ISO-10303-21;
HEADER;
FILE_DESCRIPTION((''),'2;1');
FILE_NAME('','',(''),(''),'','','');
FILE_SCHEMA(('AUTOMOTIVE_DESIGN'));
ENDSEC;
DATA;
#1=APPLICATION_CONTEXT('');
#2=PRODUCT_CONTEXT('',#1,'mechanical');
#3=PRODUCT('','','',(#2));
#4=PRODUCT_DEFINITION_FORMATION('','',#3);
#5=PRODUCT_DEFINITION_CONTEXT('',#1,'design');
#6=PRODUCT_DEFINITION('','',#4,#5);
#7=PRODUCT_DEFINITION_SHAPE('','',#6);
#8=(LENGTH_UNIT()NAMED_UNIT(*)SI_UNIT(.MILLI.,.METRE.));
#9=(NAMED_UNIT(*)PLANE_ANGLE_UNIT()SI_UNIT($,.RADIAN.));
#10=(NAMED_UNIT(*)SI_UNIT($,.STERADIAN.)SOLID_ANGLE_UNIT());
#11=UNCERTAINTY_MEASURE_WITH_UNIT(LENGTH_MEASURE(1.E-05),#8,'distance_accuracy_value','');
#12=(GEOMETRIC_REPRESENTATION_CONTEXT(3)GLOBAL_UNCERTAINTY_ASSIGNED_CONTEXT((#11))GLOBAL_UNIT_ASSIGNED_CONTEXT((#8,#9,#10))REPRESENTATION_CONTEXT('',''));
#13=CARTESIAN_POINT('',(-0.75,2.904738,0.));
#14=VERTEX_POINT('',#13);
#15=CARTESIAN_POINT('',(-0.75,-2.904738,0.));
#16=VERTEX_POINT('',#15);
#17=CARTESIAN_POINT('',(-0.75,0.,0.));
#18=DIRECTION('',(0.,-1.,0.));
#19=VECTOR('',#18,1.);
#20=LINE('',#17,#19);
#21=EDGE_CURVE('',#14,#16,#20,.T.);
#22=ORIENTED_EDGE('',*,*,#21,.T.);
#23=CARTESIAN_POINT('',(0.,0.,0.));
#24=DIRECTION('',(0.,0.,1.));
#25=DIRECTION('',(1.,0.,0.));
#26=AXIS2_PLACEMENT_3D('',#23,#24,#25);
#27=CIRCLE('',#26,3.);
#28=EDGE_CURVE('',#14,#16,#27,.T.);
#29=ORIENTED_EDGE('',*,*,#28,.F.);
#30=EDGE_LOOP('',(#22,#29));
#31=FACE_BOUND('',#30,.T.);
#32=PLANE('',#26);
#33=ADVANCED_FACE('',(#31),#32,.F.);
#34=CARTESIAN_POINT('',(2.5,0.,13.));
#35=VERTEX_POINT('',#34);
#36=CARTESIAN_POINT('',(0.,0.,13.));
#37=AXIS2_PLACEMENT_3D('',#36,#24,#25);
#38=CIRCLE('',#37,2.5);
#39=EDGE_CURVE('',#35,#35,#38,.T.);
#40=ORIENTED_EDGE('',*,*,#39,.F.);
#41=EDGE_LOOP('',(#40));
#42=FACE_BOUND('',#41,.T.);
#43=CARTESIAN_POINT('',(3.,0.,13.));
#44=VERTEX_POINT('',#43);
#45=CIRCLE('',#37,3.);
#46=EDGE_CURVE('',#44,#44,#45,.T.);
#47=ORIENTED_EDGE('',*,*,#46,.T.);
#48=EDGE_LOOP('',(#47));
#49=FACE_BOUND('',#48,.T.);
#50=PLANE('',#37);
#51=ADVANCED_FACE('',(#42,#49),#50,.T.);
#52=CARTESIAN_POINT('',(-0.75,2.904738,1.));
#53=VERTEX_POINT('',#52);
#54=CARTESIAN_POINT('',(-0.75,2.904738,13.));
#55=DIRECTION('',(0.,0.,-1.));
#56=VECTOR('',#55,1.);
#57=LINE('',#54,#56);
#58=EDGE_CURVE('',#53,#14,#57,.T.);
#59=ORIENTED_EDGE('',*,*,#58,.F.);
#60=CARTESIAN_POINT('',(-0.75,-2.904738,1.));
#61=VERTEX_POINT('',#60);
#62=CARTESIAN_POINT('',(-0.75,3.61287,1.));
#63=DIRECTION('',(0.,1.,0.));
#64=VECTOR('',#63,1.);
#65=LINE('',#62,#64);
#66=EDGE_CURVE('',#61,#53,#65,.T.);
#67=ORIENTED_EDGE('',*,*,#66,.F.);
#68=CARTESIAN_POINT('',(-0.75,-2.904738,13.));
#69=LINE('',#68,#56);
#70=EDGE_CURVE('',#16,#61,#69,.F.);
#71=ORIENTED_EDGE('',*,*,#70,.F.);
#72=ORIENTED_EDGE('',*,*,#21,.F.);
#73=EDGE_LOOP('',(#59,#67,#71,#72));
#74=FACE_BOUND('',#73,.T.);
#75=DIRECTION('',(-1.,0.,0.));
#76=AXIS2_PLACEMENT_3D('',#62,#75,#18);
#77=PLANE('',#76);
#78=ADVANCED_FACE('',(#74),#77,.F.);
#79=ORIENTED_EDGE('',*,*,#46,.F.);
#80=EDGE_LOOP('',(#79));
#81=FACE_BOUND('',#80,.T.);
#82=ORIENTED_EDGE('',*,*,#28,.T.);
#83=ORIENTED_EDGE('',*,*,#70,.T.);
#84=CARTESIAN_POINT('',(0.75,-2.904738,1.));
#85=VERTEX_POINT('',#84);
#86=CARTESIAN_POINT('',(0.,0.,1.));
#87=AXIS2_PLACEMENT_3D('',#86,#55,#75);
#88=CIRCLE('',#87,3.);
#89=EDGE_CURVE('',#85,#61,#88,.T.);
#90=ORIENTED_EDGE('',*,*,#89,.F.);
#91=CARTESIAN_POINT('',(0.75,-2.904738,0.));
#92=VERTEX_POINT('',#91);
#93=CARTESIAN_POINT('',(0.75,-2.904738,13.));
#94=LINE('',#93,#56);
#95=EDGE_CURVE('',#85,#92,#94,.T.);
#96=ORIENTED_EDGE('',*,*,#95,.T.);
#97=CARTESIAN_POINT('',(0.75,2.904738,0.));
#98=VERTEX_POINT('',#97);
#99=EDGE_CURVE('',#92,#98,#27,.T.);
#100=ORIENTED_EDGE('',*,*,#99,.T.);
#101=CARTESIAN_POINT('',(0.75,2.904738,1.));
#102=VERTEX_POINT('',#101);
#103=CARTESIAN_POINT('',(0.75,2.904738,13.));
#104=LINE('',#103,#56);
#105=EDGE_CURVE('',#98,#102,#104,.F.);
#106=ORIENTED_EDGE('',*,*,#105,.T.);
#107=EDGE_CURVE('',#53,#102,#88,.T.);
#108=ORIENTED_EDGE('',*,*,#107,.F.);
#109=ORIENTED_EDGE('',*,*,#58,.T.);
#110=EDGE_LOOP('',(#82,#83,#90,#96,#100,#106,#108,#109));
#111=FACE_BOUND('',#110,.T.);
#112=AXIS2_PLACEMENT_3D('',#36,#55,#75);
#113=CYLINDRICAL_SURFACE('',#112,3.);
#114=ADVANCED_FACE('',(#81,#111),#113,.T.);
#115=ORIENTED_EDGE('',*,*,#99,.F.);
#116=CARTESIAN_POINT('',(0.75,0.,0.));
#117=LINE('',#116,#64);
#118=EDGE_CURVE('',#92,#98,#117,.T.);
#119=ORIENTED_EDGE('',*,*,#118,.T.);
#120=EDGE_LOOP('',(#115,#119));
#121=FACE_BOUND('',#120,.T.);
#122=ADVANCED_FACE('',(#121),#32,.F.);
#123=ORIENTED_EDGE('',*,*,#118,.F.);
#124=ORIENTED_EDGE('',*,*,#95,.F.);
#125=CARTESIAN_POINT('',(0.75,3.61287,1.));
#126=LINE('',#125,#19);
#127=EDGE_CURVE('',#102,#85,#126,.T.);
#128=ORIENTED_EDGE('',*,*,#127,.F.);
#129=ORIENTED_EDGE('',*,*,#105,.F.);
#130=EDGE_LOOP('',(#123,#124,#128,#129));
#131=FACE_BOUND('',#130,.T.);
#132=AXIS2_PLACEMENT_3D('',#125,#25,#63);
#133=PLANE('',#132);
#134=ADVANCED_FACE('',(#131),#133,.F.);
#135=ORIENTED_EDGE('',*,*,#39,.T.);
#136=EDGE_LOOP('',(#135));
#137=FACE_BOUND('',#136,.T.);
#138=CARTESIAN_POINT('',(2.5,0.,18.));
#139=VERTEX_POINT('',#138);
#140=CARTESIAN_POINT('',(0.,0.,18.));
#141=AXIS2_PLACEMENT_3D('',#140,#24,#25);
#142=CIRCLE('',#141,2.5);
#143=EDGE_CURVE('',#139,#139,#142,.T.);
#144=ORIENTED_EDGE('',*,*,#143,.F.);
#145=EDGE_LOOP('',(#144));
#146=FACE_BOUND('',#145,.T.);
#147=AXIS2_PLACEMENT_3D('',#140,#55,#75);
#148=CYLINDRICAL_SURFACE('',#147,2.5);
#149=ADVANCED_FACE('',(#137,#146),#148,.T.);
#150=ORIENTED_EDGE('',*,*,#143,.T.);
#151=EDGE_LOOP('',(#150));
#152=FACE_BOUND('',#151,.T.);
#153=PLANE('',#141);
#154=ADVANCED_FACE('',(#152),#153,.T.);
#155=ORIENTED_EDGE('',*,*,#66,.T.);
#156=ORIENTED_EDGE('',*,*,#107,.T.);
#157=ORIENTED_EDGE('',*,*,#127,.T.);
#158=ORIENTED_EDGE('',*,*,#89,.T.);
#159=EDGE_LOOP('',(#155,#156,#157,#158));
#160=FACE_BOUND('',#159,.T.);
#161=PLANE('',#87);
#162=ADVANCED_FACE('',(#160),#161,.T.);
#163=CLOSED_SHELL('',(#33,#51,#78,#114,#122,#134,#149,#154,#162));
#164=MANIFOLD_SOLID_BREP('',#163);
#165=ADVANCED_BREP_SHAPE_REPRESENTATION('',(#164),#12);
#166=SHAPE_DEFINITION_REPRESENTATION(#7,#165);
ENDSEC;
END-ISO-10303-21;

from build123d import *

# Parameters (mm, degrees)
SKETCH_1_R          = 3
EXTRUDE_1_DEPTH     = 13
SKETCH_2_R          = 2.5
EXTRUDE_2_DEPTH     = 5
SKETCH_3_W          = 1.5
SKETCH_3_H          = 7.126757192
CUT_EXTRUDE_1_DEPTH = 1


with BuildPart() as part:
    # Эскиз1 → Бобышка-Вытянуть1 (new body)
    with BuildSketch(Plane.XY):
        with Locations(Location((0, 0, 0), (0, 0, 180))):
            Circle(SKETCH_1_R)
    extrude(amount=EXTRUDE_1_DEPTH)

    # Эскиз2 → Бобышка-Вытянуть2 (add)
    with BuildSketch(Plane.XY.offset(13)):
        Circle(SKETCH_2_R)
    extrude(amount=EXTRUDE_2_DEPTH)

    # Эскиз3 → Вырез-Вытянуть1 (cut)
    with BuildSketch(Plane(origin=(0, 0, 0), x_dir=(-1, 0, 0), z_dir=(0, 0, -1))):
        with Locations((0, 0.049491369)):
            Rectangle(SKETCH_3_W, SKETCH_3_H)
    extrude(amount=-CUT_EXTRUDE_1_DEPTH, mode=Mode.SUBTRACT)


solid = part.part
